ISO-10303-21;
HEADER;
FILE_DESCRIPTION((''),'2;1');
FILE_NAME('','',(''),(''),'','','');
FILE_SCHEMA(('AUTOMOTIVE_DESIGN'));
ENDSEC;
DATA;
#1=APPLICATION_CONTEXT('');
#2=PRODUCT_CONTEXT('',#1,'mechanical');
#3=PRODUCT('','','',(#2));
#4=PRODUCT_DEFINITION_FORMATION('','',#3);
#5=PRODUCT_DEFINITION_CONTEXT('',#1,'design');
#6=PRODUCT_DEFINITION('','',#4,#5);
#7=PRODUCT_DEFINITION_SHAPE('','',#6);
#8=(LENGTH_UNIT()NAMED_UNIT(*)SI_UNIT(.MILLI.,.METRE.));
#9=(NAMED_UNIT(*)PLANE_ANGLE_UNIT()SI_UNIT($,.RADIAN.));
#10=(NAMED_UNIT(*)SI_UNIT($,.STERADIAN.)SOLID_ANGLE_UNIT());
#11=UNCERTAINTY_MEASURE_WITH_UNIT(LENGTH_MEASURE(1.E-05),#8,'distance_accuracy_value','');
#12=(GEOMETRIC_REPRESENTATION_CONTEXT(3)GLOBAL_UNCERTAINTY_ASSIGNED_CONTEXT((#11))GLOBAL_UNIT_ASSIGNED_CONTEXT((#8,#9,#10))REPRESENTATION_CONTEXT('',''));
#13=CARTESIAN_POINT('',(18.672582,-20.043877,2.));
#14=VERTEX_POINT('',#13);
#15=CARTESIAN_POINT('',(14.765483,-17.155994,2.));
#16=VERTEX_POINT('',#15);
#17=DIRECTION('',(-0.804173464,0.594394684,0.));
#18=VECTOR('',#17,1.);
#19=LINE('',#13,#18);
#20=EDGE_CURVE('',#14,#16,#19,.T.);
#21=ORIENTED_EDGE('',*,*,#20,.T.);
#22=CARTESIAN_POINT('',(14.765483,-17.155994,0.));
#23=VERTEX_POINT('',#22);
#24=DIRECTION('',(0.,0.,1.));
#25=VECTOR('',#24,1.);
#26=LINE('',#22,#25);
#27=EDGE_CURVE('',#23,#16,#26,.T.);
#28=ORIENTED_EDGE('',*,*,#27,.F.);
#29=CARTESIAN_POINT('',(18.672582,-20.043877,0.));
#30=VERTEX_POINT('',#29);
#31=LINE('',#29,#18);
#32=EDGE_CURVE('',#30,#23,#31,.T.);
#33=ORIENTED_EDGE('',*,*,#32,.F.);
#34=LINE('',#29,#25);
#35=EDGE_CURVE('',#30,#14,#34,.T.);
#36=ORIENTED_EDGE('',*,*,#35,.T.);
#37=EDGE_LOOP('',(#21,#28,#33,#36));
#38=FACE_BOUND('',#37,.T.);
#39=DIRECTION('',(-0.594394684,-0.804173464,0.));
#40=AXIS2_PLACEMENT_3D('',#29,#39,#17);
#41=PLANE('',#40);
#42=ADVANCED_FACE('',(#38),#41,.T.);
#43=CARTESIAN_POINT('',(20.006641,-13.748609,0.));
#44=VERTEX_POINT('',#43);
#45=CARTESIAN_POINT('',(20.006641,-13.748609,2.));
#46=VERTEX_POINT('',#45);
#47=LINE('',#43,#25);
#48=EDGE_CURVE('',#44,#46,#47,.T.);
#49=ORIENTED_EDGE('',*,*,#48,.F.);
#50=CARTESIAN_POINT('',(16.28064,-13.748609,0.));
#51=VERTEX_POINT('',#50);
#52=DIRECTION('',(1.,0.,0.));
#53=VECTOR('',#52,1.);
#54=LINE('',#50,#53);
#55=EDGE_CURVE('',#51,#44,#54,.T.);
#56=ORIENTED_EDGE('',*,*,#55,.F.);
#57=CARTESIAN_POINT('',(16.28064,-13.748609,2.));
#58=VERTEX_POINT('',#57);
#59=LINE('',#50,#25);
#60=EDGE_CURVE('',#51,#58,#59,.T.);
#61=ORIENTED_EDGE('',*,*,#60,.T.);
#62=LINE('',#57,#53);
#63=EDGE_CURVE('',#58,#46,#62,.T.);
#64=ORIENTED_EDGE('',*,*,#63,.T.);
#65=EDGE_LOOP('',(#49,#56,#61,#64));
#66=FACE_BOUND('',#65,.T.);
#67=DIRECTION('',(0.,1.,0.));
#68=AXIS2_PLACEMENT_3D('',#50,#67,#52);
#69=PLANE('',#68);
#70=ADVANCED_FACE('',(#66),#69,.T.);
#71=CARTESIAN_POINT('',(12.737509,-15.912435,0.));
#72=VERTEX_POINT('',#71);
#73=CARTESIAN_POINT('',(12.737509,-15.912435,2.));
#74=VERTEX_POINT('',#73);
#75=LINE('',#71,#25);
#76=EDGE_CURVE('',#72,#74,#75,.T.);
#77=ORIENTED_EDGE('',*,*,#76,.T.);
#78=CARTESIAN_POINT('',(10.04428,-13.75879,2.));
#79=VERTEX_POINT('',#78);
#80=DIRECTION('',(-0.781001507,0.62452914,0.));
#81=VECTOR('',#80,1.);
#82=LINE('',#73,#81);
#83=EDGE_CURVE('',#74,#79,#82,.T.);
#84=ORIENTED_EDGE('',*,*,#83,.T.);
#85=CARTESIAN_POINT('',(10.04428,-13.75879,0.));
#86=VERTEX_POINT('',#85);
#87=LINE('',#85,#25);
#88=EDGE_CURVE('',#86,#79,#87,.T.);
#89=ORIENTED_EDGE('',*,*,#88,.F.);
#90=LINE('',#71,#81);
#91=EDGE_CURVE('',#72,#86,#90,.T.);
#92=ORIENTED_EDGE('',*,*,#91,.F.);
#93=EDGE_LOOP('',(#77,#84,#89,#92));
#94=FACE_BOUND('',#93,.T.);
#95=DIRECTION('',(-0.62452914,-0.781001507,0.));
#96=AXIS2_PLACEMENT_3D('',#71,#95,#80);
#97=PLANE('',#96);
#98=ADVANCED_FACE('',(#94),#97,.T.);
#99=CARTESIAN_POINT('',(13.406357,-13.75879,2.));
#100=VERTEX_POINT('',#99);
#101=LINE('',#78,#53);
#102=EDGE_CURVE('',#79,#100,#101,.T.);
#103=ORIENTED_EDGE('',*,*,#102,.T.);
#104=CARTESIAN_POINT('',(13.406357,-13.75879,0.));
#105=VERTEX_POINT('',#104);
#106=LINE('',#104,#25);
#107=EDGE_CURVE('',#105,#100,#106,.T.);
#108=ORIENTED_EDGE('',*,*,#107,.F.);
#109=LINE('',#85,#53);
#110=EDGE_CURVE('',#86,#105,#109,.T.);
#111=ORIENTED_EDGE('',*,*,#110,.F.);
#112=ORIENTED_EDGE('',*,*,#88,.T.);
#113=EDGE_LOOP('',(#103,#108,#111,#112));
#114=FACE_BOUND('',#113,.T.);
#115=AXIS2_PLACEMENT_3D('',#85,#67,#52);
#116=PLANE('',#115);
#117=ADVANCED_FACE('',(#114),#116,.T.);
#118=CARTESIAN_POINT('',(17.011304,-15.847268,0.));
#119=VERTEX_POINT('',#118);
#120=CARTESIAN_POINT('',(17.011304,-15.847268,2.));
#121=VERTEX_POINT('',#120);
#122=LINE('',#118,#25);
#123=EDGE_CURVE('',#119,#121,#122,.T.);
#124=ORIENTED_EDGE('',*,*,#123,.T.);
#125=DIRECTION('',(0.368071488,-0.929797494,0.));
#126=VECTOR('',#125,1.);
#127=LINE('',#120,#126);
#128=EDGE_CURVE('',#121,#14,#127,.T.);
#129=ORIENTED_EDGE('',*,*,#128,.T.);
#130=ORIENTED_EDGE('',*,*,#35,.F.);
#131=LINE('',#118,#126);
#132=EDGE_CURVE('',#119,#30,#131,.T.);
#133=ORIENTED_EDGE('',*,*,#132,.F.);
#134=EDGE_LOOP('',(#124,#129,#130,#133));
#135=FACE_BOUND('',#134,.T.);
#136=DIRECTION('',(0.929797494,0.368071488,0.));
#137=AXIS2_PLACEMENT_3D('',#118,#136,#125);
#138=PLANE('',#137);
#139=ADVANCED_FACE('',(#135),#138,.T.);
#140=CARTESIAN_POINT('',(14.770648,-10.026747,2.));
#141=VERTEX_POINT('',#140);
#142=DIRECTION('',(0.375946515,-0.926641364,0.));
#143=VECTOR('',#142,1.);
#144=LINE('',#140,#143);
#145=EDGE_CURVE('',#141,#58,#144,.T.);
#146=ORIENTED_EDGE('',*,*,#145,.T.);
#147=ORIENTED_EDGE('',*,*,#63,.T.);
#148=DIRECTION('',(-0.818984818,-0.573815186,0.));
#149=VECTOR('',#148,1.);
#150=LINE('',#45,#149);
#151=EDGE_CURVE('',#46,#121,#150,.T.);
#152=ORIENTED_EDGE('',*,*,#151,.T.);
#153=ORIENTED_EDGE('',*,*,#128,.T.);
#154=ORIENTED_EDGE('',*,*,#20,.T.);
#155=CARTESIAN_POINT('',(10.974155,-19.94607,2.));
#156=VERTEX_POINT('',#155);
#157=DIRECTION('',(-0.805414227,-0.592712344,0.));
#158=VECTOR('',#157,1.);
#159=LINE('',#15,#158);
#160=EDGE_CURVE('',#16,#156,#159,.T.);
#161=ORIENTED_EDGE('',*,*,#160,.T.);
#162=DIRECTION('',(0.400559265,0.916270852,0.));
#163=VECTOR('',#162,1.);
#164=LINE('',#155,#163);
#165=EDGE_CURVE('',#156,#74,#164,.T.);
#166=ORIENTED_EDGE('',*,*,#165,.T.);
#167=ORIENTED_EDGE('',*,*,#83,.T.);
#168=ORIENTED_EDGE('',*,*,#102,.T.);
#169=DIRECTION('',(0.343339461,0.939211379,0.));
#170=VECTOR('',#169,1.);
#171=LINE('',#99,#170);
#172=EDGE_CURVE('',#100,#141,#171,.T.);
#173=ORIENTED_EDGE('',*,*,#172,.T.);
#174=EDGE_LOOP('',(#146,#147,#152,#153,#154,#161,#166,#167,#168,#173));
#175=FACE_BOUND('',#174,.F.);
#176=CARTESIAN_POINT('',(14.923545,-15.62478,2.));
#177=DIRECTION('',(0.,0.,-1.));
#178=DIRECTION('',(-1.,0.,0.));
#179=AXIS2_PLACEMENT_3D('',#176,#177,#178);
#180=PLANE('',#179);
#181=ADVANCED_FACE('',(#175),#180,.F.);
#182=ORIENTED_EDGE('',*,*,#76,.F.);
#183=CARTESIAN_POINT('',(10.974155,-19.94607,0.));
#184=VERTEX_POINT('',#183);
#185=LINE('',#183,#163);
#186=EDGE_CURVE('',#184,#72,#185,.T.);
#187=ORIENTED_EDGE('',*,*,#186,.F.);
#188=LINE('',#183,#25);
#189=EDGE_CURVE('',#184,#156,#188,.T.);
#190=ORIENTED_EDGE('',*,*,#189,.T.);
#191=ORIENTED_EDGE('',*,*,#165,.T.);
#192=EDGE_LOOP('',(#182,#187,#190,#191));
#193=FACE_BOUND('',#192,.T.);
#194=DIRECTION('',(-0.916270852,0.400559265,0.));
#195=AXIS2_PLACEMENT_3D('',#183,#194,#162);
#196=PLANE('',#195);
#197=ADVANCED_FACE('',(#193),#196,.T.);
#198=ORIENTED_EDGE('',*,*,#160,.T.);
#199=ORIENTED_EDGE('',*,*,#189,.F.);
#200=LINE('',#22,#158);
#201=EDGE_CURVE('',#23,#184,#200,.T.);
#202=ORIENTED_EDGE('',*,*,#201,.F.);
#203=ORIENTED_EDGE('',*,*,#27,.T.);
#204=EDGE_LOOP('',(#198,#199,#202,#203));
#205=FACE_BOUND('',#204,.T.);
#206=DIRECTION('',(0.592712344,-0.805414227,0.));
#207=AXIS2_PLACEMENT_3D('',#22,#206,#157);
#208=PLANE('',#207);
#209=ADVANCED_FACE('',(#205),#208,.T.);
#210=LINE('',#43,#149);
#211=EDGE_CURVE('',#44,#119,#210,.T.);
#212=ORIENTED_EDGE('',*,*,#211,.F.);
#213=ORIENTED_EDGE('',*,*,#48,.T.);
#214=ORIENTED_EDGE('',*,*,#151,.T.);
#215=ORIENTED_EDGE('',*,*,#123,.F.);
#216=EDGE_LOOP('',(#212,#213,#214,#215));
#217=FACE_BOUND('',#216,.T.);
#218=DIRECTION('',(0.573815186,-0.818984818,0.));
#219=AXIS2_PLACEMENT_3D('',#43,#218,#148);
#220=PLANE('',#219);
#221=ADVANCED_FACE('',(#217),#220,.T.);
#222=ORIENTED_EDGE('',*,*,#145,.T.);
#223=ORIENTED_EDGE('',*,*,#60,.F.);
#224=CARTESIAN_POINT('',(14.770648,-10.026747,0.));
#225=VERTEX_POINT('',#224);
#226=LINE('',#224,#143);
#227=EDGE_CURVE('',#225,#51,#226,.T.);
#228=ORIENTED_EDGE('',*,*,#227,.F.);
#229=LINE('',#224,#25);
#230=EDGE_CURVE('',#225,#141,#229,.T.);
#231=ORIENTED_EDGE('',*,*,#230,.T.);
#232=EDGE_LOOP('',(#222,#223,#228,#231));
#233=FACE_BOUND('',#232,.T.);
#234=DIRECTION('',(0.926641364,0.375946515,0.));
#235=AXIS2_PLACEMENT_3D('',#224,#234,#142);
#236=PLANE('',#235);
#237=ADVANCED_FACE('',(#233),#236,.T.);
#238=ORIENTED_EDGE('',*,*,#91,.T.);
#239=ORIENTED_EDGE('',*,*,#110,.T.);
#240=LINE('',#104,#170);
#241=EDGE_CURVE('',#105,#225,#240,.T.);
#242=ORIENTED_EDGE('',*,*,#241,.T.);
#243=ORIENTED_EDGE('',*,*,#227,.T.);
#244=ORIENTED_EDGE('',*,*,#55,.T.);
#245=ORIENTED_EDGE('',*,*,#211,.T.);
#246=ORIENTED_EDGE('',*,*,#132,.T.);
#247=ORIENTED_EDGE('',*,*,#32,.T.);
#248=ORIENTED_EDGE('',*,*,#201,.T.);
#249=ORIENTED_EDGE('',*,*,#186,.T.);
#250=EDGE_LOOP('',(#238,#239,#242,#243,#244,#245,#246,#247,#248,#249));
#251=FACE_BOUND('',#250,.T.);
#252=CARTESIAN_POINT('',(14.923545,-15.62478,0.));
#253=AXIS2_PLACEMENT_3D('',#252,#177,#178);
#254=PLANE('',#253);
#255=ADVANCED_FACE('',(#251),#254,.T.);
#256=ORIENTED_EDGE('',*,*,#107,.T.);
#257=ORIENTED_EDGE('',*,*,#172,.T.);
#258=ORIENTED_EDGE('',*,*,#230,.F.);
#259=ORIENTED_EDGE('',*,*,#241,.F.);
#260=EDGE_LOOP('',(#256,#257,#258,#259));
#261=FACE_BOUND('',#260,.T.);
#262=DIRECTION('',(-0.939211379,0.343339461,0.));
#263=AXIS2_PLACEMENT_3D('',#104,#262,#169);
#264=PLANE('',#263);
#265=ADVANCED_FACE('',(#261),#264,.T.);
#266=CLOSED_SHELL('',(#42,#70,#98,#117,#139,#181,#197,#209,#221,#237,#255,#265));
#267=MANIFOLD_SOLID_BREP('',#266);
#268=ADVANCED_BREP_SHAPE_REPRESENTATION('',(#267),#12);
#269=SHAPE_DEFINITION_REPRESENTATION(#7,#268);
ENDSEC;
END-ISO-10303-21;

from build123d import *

# Parameters (mm, degrees)
PAD_DEPTH = 2


with BuildPart() as part:
    # Sketch → Pad (new body)
    with BuildSketch(Plane.XY):
        Polygon((10.04428, -13.75879), (13.406357, -13.75879), (14.770648, -10.026747), (16.28064, -13.748609), (20.006641, -13.748609), (17.011304, -15.847268), (18.672582, -20.043877), (14.765483, -17.155994), (10.974155, -19.94607), (12.737509, -15.912435), align=None)
    extrude(amount=PAD_DEPTH)


solid = part.part
